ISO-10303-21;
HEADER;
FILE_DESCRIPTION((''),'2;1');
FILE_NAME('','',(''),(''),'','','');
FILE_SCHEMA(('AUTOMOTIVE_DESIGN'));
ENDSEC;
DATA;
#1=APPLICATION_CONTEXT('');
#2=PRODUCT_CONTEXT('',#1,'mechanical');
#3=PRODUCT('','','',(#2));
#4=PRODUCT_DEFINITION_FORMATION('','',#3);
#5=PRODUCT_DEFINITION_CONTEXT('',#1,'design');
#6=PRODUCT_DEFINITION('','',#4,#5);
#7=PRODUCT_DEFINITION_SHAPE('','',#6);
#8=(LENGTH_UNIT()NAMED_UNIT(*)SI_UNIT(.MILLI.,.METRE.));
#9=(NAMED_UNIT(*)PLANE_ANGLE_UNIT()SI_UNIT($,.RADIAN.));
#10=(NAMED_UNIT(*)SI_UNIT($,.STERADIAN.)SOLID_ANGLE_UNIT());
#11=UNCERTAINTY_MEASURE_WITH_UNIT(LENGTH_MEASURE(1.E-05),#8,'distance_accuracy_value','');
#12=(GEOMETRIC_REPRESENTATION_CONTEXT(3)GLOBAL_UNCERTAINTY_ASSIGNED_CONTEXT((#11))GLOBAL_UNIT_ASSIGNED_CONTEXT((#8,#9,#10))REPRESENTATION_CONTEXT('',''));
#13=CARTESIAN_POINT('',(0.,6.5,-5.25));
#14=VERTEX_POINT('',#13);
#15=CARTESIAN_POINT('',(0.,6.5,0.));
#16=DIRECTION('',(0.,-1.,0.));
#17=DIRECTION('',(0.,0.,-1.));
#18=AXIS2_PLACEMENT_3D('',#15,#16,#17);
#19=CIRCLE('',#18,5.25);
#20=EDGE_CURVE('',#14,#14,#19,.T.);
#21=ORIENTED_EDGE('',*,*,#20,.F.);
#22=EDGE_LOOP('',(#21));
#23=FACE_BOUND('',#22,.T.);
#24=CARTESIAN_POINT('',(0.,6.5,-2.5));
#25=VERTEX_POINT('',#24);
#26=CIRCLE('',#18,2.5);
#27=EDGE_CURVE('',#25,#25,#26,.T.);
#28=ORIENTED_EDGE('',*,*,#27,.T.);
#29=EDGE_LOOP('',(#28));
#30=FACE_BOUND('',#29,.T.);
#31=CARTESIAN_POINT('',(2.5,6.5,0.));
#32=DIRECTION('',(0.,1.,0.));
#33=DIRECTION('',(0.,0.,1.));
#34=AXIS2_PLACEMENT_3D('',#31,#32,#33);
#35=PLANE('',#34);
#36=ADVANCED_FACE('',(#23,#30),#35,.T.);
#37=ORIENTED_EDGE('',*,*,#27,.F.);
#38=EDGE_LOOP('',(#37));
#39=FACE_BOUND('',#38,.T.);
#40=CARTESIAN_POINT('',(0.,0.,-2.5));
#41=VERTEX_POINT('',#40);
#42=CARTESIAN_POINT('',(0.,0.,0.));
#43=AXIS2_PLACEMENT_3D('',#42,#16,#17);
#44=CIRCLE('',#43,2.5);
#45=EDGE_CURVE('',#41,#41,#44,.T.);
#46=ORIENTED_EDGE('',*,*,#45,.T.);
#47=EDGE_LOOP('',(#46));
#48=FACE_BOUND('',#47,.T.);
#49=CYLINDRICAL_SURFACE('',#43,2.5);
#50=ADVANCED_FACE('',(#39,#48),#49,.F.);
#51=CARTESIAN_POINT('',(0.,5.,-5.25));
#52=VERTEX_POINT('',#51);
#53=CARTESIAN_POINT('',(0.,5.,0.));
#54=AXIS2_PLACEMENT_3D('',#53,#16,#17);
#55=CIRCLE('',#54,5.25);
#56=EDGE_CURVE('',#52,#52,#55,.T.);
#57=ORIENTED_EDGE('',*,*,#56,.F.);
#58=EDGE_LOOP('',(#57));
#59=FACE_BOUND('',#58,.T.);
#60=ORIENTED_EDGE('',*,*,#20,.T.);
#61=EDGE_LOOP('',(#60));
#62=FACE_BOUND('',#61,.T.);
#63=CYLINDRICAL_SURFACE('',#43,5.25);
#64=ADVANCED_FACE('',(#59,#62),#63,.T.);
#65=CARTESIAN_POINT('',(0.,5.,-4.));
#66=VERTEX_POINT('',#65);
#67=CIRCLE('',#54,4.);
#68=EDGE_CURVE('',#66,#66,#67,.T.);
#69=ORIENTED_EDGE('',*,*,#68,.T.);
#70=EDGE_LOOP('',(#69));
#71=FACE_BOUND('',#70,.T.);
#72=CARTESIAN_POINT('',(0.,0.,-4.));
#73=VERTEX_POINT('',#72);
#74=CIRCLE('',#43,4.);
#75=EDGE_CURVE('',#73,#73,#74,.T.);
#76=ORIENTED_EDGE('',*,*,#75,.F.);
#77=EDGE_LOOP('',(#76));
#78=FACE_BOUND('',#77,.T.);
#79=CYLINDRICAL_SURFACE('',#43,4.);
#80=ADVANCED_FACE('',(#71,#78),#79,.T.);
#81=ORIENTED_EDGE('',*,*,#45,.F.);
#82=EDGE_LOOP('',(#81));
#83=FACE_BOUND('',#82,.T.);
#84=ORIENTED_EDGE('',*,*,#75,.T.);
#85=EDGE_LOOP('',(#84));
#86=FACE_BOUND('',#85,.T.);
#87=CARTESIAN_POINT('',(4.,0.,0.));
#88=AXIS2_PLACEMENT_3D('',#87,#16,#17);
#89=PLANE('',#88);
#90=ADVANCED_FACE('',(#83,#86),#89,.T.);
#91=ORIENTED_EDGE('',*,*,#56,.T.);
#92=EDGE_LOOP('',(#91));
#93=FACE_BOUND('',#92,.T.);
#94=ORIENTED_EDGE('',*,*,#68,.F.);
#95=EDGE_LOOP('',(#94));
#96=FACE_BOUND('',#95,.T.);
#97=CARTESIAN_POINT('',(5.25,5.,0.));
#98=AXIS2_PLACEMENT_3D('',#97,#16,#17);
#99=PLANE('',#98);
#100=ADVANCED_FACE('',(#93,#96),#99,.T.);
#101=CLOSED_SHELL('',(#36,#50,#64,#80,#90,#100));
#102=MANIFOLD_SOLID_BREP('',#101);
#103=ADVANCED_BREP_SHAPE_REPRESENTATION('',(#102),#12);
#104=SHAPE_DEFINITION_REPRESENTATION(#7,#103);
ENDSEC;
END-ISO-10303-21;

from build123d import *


with BuildPart() as part:
    # Sketch1 → Revolve1 (revolve)
    with BuildSketch(Plane.XY, mode=Mode.PRIVATE) as revolve1_sk:
        Polygon((2.5, 0), (2.5, 6.5), (5.25, 6.5), (5.25, 5), (4, 5), (4, 0), align=None)
    revolve(revolve1_sk.sketch.rotate(Axis((0, 0, 0), (0, 1, 0)), 90), axis=Axis((0, 0, 0), (0, 1, 0)))


solid = part.part
